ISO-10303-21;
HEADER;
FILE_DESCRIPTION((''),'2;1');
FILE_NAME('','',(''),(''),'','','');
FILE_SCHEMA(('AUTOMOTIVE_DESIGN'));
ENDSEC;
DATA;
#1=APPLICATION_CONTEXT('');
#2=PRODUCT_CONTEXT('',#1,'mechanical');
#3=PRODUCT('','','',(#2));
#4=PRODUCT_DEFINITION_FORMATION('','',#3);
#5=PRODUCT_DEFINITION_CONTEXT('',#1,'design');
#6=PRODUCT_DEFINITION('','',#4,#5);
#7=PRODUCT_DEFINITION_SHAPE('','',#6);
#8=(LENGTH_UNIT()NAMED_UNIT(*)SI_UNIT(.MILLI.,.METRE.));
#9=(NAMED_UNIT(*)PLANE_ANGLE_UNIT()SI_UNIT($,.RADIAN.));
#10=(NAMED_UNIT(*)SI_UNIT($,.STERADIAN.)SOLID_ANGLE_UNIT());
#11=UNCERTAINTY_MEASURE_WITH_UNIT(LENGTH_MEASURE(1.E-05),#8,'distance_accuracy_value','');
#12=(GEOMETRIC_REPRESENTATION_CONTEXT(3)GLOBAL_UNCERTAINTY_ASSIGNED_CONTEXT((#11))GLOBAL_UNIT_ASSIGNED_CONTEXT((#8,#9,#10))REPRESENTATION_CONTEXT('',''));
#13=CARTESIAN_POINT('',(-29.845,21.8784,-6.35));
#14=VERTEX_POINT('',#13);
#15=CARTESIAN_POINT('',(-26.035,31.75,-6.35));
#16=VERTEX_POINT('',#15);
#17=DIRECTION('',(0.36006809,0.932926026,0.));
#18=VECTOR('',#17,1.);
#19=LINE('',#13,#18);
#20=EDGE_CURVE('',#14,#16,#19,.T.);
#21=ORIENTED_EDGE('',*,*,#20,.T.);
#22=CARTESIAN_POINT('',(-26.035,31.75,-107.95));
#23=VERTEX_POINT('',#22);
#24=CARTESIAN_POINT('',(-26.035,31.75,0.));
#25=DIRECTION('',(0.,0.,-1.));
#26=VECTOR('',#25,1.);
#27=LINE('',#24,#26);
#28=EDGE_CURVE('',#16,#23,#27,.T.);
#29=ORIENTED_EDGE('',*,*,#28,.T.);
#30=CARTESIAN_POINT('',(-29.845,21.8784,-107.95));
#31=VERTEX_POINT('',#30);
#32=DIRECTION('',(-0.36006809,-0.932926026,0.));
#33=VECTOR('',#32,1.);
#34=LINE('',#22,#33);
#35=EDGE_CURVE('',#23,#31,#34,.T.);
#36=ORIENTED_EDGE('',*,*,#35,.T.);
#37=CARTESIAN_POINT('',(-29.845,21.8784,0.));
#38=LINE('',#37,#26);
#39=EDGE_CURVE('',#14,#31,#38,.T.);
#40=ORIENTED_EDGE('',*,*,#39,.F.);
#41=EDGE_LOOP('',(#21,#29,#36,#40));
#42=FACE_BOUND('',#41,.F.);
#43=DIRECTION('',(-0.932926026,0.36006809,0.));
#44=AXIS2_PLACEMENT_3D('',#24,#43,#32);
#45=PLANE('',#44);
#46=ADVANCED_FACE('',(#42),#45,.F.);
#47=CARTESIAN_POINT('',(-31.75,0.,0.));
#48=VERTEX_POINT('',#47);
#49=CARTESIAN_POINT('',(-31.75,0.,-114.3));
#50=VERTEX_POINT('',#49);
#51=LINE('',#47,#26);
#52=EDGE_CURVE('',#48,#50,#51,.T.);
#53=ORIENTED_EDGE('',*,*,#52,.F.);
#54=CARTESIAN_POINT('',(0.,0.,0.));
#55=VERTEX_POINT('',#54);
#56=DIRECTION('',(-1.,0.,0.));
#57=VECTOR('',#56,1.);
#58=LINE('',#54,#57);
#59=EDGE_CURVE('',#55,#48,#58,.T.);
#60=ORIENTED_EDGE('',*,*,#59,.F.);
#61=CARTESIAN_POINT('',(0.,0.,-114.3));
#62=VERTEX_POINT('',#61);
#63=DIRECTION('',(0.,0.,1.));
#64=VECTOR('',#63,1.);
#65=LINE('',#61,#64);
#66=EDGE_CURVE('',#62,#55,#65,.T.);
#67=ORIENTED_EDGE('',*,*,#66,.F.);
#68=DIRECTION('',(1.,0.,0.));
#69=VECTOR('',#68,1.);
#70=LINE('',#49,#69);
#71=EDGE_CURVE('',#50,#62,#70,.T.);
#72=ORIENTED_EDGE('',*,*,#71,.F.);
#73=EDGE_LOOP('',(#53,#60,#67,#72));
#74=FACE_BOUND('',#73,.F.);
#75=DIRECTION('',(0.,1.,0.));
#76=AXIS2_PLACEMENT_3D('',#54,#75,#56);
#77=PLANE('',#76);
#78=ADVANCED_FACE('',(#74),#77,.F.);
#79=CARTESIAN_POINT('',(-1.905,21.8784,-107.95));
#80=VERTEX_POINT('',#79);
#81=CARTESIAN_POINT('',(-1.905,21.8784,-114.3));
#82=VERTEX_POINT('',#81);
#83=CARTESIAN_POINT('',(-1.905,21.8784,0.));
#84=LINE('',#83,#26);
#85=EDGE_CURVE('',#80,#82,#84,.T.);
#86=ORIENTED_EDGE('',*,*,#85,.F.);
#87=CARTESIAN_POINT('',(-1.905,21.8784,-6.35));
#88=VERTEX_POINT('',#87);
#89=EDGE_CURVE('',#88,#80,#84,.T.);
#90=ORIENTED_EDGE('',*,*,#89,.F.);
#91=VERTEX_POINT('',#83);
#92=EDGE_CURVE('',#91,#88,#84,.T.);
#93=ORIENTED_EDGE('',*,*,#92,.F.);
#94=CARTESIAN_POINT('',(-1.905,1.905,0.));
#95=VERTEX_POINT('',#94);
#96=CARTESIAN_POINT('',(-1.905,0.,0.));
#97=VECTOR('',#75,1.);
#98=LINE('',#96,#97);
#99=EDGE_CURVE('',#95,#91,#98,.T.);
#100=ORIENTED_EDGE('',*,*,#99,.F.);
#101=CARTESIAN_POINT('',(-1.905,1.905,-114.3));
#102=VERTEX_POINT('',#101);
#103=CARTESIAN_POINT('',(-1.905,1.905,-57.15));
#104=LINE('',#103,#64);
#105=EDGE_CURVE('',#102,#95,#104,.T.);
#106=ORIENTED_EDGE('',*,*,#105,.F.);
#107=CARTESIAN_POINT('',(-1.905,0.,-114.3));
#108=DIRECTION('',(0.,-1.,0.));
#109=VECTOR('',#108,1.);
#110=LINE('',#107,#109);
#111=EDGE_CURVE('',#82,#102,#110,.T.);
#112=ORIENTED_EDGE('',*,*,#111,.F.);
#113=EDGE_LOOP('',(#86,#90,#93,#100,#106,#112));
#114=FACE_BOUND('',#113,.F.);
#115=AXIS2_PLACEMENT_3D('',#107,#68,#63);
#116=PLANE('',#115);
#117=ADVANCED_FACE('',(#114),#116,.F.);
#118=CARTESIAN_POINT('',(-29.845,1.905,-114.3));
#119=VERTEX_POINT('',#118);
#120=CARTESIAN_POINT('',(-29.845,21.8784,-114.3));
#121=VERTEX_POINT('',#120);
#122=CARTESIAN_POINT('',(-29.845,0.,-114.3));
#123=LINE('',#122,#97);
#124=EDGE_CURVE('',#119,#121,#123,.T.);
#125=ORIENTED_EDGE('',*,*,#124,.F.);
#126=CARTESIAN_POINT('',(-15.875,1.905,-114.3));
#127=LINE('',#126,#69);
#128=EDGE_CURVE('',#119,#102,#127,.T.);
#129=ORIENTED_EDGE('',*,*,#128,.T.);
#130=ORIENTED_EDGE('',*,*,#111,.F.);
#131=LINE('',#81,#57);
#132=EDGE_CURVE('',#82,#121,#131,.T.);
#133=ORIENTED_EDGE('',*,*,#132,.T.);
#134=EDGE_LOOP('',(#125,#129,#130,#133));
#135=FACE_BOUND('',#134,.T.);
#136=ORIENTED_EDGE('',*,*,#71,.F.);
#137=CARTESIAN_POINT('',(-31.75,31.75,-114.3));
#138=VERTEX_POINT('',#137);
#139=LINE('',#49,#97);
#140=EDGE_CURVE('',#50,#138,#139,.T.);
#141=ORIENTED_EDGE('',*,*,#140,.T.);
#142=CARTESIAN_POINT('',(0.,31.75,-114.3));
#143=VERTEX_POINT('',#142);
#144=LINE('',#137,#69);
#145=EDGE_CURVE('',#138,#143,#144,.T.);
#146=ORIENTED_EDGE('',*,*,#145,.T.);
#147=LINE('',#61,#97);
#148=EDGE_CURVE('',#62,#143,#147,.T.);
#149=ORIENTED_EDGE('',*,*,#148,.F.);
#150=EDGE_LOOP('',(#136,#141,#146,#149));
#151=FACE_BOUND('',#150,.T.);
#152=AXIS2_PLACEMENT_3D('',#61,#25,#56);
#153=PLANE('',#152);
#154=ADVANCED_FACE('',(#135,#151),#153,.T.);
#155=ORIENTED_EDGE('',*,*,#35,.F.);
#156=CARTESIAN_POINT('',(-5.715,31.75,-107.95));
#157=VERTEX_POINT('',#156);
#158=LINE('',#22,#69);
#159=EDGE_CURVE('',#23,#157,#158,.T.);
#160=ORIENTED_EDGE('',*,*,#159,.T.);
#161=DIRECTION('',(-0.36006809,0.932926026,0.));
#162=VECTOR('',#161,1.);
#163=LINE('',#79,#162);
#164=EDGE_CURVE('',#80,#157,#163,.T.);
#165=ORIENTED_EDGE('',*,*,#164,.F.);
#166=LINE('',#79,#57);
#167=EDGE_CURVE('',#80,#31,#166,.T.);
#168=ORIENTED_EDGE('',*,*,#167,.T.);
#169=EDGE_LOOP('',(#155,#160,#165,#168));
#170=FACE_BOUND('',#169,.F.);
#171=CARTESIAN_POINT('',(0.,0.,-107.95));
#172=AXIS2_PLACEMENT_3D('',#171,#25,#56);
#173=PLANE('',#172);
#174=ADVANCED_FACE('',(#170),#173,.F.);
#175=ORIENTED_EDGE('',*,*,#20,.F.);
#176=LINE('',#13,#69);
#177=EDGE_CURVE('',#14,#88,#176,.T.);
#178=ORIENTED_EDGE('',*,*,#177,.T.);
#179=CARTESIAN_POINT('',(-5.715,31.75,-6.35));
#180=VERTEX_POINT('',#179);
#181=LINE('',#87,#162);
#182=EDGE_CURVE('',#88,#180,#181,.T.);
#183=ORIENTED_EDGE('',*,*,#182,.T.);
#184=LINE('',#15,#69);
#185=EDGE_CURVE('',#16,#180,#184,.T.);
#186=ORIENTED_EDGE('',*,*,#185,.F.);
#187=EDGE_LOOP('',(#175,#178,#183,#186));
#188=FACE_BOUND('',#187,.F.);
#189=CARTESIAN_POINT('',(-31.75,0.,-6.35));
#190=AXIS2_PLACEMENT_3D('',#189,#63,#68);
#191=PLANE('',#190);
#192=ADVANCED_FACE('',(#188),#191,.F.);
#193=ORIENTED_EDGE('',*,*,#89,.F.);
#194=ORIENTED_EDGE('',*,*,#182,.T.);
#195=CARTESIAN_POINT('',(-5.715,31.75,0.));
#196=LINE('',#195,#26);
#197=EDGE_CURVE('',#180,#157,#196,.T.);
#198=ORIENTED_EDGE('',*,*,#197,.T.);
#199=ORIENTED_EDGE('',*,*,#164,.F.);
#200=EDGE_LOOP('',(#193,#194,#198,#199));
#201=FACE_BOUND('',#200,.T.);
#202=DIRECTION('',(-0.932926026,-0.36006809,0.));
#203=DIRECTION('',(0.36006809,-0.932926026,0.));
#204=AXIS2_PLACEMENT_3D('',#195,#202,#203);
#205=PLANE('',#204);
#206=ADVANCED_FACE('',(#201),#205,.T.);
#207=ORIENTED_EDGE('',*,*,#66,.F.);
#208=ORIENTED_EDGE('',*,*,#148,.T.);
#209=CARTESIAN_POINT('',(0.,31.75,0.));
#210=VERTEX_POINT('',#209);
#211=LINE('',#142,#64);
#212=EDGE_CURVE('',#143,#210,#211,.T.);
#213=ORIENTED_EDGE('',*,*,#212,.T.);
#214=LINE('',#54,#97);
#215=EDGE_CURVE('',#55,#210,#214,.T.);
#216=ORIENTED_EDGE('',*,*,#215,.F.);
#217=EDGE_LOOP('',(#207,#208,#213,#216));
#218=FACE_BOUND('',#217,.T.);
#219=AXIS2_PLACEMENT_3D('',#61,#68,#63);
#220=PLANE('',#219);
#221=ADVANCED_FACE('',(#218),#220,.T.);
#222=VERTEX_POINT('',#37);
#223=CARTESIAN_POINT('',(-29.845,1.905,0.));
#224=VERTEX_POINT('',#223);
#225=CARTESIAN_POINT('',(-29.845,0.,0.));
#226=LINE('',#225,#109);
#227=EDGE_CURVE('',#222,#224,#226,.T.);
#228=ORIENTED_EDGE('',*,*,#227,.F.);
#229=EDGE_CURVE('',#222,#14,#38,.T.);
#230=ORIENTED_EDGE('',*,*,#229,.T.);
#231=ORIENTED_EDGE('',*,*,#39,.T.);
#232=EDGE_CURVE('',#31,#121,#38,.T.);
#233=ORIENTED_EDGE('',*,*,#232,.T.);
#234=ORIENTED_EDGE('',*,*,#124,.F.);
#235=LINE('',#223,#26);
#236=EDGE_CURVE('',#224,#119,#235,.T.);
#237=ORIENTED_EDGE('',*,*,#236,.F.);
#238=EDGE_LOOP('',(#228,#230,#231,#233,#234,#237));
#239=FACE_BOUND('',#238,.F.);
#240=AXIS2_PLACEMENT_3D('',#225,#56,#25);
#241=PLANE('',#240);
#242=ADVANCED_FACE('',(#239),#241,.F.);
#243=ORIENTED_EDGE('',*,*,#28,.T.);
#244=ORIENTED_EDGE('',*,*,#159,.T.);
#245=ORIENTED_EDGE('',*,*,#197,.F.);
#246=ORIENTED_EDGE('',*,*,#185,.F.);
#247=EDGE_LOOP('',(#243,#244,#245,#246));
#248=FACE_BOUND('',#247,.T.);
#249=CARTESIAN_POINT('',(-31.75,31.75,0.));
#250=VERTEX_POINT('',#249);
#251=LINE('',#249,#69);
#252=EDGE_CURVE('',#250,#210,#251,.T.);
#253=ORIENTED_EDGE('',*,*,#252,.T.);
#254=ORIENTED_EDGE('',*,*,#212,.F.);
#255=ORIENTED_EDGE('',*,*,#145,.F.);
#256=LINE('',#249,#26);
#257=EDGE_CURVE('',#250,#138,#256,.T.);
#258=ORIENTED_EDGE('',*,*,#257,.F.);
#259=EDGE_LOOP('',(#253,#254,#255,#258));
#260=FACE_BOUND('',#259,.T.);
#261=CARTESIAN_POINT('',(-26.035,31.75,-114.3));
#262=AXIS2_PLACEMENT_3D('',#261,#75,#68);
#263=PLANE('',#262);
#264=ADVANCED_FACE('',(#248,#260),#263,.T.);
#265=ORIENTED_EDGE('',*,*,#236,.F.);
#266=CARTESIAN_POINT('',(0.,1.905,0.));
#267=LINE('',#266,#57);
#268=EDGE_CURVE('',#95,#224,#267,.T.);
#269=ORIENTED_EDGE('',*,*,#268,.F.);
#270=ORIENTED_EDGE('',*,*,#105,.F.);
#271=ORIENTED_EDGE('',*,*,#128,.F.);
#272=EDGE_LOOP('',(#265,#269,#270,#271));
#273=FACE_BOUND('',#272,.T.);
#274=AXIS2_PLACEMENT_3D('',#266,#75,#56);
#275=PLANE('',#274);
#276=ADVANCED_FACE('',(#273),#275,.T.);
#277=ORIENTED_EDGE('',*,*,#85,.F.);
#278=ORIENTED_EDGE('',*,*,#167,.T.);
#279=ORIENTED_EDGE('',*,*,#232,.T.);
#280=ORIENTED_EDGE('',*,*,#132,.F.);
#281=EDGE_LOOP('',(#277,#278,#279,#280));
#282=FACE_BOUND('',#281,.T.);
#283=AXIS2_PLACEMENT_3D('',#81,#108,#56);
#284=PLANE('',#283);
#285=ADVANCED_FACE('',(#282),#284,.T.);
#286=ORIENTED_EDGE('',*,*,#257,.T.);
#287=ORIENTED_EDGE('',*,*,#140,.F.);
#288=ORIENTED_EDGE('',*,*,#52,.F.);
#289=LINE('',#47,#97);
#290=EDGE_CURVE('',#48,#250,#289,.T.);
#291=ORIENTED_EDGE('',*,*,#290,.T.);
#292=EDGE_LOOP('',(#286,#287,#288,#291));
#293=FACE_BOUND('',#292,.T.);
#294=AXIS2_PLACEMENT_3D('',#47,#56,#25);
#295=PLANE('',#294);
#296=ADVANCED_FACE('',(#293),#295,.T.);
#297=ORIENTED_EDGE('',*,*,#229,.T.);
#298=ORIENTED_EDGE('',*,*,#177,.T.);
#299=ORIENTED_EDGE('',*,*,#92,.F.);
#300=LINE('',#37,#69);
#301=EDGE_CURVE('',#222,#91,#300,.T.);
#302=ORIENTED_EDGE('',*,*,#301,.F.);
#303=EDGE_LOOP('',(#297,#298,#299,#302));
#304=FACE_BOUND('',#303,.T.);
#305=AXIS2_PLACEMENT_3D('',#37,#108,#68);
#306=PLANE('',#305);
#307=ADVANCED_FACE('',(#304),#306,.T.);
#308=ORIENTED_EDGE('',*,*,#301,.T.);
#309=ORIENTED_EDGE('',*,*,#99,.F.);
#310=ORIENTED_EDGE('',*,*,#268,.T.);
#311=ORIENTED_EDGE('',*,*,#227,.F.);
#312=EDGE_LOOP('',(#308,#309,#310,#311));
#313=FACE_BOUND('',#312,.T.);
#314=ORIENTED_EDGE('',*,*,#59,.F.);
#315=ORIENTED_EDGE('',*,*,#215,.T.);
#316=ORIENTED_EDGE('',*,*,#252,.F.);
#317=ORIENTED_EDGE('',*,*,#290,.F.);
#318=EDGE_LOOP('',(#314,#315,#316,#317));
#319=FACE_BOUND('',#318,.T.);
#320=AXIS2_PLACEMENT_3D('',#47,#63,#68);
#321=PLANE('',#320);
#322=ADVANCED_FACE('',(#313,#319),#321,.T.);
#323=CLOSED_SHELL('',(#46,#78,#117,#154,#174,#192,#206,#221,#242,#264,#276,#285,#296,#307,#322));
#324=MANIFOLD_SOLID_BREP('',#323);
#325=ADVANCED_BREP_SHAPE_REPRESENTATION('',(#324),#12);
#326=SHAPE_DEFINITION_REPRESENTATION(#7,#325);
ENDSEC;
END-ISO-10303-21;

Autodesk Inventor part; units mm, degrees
ref_plane "YZ Plane" through (0, 0, 0) normal (1, 0, 0) x (0, 1, 0)
ref_plane "XZ Plane" through (0, 0, 0) normal (0, 1, 0) x (-1, 0, 0)
ref_plane "XY Plane" through (0, 0, 0) normal (0, 0, 1) x (1, 0, 0)
sketch "Sketch1" plane through (0, 0, 0) normal (0, 1, 0) x (-1, 0, 0)
  line L0 (0, 0) -> (31.75, 0)
  line L1 (31.75, 0) -> (31.75, -114.3)
  line L2 (31.75, -114.3) -> (0, -114.3)
  line L3 (0, -114.3) -> (0, 0)
  dimension "d0" = 31.75
  dimension "d1" = 114.3
extrude "Extrusion1" add sketch "Sketch1" along normal blind 31.75
shell "Shell1" thickness 1.905 removed faces 3 at (-10.5833, 10.5833, 0) at (-21.1667, 21.1667, -114.3) at (-10.5833, 31.75, -38.1)
sketch "Sketch2" plane through (-31.75, 0, 0) normal (0, 0, 1) x (1, 0, 0)
  line L0 (1.905, 1.905) -> (1.905, 31.75) projected
  line L1 (29.845, 31.75) -> (29.845, 1.905) projected
  line L2 (1.905, 31.75) -> (5.715, 31.75)
  line L3 (5.715, 31.75) -> (1.905, 21.8784)
  line L4 (1.905, 31.75) -> (1.905, 1.905) projected
  line L5 (29.845, 31.75) -> (26.035, 31.75)
  line L6 (26.035, 31.75) -> (29.845, 21.8784)
  point P0 (31.75, 0)
  dimension "d5" = 3.81
extrude "Extrusion2" add sketch "Sketch2" against normal up to surface (114.3 mm away)
sketch "Sketch4" plane through (-31.75, 0, 0) normal (0, 0, 1) x (1, 0, 0)
  line L0 (1.905, 21.8784) -> (5.715, 31.75) projected
  line L1 (29.845, 21.8784) -> (26.035, 31.75) projected
  line L2 (5.715, 31.75) -> (26.035, 31.75)
  line L3 (1.905, 21.8784) -> (29.845, 21.8784)
  point P0 (31.75, 0)
extrude "Extrusion3" add sketch "Sketch4" against normal blind 6.35
sketch "Sketch5" plane through (0, 0, -114.3) normal (0, 0, -1) x (-1, 0, 0)
  line L0 (26.035, 31.75) -> (29.845, 21.8784) projected
  line L1 (26.035, 31.75) -> (5.715, 31.75) projected
  line L2 (1.905, 21.8784) -> (5.715, 31.75) projected
  line L3 (1.905, 21.8784) -> (29.845, 21.8784) projected
  point P0 (0, 0)
extrude "Extrusion4" add sketch "Sketch5" against normal blind 6.35
properties part number "MidshipsUnibody"
